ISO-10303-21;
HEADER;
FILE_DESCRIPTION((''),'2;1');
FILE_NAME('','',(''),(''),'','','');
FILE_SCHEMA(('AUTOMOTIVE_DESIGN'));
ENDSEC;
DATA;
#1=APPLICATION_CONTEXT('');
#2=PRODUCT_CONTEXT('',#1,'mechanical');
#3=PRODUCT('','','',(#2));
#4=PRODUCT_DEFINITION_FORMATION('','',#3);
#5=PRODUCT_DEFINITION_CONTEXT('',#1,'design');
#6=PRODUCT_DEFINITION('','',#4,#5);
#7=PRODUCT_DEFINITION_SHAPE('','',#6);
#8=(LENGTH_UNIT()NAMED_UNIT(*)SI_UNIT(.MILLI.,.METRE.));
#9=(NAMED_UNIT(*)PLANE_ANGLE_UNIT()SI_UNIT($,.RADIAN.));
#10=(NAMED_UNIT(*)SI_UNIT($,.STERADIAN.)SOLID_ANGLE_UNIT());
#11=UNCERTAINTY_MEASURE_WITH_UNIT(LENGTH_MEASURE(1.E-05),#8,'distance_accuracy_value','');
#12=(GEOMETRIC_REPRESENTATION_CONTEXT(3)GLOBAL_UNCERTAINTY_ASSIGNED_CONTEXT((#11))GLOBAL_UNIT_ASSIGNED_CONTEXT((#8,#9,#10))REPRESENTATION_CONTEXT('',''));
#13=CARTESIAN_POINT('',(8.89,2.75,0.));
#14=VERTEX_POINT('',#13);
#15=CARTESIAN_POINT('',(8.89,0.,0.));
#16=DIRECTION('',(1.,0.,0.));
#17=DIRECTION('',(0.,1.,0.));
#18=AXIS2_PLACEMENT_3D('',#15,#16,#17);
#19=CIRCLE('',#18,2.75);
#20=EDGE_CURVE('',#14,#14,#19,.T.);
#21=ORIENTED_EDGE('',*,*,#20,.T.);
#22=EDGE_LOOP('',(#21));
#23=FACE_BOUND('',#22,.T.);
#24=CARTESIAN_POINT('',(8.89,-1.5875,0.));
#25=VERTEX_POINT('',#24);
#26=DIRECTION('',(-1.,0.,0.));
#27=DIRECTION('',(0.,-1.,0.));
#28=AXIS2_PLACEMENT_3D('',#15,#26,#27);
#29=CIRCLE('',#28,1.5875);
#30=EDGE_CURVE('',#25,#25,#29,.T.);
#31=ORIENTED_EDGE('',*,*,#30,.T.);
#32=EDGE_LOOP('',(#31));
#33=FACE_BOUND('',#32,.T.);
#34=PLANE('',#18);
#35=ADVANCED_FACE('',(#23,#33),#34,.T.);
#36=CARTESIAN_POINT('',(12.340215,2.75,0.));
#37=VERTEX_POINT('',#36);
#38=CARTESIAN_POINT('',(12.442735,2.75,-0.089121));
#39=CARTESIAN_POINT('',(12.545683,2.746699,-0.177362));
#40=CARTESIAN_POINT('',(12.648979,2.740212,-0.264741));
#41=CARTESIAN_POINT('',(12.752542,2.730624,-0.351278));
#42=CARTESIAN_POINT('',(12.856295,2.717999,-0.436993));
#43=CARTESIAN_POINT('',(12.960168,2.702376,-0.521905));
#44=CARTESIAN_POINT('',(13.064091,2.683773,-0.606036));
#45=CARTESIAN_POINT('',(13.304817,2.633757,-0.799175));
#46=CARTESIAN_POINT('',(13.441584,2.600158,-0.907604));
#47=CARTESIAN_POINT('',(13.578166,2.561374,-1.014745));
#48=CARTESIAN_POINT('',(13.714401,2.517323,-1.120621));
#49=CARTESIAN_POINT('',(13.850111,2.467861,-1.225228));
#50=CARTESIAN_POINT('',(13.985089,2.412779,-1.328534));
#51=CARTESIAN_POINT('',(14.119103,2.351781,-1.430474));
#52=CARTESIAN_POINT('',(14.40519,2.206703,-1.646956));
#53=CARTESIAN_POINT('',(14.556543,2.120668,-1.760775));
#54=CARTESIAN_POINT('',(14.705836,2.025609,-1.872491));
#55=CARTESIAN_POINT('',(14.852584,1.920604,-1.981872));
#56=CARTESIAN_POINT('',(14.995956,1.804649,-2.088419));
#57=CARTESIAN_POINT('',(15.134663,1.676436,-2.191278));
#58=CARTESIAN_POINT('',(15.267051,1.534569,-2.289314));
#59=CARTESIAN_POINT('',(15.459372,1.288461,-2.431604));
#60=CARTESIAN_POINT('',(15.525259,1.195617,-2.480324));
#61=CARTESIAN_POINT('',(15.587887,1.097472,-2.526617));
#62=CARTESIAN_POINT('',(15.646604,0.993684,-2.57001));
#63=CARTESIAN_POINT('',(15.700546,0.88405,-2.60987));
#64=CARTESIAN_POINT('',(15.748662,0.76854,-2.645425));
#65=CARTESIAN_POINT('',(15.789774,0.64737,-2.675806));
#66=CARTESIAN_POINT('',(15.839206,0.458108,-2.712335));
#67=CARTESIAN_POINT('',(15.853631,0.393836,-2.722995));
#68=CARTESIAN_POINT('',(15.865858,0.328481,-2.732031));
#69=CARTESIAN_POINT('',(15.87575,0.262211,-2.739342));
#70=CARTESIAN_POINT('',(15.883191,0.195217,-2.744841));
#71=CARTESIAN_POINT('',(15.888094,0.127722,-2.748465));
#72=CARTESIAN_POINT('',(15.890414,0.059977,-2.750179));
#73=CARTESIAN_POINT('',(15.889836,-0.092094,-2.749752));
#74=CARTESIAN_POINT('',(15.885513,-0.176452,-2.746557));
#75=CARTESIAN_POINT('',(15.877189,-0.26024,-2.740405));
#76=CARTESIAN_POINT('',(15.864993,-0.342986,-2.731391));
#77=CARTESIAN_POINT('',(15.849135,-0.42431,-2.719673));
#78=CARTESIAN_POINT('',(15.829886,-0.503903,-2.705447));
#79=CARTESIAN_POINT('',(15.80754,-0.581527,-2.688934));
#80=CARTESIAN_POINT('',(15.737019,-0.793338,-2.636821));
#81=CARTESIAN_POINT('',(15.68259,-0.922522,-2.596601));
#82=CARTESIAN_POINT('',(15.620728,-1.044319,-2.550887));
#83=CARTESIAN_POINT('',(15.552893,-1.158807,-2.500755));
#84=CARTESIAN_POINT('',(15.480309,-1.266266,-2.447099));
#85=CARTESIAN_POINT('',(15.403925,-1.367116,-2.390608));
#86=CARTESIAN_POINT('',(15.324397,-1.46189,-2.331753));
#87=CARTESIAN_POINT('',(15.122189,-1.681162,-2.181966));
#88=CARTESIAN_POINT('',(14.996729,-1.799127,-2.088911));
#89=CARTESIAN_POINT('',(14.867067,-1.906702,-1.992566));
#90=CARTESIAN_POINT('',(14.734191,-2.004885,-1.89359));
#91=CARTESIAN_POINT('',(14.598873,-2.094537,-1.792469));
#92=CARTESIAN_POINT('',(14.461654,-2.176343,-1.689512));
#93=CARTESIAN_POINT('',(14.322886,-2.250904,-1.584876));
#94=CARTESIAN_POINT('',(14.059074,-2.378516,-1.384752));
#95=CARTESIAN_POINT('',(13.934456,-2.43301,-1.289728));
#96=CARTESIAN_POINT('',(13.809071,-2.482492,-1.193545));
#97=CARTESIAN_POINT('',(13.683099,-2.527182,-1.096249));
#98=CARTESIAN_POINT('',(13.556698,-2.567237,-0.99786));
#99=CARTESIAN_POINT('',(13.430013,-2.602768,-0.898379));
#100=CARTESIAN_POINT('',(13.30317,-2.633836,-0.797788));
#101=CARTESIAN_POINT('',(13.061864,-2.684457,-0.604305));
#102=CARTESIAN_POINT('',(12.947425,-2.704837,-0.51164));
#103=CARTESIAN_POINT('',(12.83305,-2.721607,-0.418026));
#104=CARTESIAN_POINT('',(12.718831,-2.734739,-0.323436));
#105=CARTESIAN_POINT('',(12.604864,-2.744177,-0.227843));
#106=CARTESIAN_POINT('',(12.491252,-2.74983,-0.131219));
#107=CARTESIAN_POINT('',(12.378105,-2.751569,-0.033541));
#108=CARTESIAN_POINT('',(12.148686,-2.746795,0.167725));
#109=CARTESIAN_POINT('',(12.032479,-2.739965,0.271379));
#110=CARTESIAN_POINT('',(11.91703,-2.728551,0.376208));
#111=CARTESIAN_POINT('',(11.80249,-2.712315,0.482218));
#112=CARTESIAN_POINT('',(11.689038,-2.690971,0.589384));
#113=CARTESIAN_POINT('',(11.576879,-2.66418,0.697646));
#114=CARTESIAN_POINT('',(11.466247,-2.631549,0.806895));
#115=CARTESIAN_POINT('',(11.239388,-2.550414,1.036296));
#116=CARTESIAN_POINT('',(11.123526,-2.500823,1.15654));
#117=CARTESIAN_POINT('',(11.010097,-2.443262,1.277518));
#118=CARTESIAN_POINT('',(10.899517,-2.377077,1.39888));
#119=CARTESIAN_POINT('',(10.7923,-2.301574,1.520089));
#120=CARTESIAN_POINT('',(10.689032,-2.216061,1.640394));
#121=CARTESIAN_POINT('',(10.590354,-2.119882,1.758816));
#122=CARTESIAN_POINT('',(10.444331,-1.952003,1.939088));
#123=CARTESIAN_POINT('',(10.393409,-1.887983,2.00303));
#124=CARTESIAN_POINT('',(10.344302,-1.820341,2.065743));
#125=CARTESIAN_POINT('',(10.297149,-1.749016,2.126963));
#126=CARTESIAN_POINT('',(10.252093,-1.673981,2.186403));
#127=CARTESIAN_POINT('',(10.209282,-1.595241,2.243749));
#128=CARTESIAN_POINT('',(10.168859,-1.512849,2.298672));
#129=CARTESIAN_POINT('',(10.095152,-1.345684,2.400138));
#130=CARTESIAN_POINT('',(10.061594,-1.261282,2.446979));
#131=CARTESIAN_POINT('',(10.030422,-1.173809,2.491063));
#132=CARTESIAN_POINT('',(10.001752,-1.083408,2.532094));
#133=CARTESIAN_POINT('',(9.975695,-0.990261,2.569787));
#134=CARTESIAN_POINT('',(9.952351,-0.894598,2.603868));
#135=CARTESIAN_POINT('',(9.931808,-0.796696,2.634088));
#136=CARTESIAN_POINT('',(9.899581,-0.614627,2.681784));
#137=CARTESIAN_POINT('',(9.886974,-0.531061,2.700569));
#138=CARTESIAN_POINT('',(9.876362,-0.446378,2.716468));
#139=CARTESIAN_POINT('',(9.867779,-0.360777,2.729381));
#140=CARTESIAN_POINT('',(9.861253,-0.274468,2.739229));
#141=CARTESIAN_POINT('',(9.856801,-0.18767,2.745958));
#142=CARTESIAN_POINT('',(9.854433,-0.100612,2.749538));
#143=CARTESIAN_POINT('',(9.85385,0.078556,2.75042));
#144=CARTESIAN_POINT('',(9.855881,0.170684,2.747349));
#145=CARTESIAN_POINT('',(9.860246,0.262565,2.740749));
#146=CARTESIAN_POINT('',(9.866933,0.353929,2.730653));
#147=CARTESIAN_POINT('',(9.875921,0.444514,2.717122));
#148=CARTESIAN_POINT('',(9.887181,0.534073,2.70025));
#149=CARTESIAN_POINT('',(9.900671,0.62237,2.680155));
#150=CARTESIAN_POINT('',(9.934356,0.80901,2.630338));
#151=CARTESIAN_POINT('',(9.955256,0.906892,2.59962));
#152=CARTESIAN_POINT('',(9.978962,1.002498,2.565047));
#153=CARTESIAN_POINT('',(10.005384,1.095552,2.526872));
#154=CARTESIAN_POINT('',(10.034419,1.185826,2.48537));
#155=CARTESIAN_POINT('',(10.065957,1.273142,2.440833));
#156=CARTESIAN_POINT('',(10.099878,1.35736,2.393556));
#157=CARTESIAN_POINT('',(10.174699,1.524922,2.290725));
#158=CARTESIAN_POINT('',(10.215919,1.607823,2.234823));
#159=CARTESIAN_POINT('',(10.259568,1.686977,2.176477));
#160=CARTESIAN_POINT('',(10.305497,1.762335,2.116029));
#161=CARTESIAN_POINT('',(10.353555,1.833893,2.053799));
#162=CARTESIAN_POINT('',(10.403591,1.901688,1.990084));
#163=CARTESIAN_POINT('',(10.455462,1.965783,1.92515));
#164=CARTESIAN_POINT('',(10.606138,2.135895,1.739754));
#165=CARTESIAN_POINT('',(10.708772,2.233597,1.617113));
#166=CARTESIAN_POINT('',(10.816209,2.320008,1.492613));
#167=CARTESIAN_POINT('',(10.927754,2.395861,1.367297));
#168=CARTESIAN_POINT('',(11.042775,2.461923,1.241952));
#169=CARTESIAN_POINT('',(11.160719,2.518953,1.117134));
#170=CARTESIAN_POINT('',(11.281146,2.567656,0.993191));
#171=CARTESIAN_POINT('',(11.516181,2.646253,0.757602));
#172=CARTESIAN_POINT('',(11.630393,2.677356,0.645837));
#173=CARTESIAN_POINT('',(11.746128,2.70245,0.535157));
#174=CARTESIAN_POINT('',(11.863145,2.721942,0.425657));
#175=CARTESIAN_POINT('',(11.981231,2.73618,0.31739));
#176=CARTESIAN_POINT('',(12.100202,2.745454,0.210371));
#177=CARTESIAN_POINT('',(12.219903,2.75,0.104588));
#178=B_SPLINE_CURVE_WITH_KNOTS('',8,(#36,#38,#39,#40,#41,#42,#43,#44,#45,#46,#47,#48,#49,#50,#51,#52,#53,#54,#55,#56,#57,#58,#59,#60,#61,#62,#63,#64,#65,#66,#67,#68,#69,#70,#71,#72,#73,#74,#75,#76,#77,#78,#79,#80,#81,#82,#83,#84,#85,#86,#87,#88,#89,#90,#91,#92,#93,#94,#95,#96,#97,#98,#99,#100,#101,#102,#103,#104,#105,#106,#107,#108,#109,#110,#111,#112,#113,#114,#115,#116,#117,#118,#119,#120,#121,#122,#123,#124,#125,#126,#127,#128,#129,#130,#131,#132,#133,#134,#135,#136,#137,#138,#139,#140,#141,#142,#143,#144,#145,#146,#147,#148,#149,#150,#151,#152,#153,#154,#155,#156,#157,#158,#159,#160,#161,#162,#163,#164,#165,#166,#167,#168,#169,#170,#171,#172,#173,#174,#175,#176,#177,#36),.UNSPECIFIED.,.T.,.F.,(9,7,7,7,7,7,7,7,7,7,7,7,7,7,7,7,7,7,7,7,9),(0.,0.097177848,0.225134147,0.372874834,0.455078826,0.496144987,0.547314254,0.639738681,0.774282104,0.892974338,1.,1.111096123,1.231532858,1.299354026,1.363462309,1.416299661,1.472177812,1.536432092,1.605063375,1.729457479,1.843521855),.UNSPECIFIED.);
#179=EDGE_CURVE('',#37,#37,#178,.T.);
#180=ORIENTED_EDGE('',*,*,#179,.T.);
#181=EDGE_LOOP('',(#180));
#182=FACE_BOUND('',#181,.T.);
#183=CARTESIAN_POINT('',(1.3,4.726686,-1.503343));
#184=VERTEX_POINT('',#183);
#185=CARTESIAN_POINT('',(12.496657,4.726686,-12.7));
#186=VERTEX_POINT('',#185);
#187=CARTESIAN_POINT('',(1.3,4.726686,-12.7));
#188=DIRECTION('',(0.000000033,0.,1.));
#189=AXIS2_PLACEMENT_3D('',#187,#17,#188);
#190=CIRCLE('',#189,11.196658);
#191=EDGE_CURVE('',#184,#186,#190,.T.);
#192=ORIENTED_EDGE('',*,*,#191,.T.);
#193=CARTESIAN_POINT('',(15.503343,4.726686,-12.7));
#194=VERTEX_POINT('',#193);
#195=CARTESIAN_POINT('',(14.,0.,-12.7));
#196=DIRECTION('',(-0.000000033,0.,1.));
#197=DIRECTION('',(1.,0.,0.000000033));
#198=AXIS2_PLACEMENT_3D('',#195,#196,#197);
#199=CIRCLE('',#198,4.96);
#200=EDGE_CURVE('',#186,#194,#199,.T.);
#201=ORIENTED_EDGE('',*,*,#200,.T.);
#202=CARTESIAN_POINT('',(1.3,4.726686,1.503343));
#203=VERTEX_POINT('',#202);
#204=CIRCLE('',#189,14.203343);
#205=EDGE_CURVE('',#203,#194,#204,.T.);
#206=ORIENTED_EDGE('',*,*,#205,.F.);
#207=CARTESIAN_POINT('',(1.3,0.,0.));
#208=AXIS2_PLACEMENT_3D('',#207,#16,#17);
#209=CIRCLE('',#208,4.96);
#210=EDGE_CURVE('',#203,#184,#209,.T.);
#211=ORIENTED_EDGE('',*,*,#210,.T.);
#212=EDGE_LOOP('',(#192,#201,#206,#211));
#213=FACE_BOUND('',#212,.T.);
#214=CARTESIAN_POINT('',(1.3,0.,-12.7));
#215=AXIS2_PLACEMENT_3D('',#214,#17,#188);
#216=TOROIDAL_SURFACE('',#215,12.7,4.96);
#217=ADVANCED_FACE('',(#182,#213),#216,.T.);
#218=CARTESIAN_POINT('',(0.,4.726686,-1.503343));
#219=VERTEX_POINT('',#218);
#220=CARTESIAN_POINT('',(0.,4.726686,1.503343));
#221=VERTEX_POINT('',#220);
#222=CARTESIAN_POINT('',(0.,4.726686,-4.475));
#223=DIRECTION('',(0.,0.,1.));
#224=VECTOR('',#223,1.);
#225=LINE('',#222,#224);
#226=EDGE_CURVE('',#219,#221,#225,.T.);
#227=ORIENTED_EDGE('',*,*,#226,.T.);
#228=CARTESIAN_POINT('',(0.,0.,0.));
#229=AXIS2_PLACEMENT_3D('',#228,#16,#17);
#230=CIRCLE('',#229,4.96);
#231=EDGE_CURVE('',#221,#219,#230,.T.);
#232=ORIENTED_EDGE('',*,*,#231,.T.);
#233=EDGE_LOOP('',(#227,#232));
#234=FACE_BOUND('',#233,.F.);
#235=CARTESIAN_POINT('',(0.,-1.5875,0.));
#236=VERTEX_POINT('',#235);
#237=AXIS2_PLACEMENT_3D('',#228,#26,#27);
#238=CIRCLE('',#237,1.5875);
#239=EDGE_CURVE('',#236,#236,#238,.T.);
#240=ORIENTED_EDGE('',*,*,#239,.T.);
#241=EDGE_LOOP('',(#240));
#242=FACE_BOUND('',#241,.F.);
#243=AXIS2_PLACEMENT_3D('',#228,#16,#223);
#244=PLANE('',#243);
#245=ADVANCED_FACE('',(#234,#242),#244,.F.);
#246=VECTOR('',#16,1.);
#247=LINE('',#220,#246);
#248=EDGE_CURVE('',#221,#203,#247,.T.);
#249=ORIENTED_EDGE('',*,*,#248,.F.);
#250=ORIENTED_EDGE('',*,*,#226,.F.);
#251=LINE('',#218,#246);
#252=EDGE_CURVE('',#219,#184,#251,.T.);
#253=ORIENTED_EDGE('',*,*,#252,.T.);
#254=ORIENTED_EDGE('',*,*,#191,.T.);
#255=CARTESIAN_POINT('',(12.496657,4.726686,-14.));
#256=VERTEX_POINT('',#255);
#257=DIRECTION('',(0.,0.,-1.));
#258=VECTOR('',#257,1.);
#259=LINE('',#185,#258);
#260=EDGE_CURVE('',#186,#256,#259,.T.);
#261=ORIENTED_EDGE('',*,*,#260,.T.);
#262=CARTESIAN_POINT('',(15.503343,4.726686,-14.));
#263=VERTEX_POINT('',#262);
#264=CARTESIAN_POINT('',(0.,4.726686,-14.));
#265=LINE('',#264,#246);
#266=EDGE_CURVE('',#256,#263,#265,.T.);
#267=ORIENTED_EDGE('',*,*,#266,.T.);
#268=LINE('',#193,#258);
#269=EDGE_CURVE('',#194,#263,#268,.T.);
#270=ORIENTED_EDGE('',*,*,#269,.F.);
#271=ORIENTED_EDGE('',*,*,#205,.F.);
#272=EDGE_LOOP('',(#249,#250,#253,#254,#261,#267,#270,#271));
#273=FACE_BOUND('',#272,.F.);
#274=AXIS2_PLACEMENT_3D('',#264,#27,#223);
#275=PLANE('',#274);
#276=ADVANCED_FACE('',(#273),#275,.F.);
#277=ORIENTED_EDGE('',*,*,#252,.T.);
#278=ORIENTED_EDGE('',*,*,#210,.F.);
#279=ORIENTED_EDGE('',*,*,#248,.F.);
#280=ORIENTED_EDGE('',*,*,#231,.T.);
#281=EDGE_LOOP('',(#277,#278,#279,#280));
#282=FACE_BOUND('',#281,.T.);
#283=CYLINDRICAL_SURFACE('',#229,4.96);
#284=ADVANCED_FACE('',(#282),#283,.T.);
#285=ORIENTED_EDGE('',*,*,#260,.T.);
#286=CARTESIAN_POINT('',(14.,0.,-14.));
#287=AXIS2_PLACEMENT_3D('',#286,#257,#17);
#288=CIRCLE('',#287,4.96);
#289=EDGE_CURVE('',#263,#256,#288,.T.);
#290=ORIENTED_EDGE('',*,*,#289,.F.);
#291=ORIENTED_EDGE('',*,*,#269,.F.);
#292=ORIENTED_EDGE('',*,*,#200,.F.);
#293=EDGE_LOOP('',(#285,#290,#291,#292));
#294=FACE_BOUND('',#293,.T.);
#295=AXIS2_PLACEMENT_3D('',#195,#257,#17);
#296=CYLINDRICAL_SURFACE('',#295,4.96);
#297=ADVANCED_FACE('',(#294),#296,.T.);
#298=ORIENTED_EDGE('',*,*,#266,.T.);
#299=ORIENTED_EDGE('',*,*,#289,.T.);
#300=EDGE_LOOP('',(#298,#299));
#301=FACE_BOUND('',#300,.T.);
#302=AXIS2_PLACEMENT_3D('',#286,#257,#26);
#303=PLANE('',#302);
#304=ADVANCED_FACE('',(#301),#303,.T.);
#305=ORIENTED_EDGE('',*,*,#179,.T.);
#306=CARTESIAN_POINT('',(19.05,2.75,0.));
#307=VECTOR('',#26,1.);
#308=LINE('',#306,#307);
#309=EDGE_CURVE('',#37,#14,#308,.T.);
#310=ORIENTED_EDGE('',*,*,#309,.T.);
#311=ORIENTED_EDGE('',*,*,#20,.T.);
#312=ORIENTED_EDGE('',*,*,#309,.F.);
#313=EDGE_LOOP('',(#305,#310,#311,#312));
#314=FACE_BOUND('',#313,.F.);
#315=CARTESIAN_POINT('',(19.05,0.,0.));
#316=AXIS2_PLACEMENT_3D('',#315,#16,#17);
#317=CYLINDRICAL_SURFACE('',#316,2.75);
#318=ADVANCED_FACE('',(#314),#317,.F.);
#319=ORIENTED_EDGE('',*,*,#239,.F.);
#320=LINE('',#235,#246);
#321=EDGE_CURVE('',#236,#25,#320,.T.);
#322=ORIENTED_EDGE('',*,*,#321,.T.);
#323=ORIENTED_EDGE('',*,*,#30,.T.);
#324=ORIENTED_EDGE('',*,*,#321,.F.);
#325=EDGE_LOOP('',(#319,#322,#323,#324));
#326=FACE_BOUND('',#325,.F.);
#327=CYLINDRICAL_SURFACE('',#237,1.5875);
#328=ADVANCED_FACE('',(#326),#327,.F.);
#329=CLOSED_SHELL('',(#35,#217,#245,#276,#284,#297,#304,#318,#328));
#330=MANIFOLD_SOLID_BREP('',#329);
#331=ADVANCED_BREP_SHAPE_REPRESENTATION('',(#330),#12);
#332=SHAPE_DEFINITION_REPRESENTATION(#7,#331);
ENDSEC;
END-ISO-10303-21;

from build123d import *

# Parameters (mm, degrees)
F1_R      = 4.96
F3_R      = 1.5875
F4_DEPTH  = 18.961
F6_R      = 2.75
F7_DEPTH  = 10.16
F9_W      = 0.254
F9_H      = 19.05
F10_DEPTH = 18.961


with BuildPart() as f2:
    # F2: sweep along a path in F0
    with BuildLine(Plane.XZ) as f2_path:
        Line((0, 0), (1.3, 0))
        ThreePointArc((1.3, 0), (10.280256, -3.719744), (14, -12.7))
        Line((14, -12.7), (14, -14))
    # F1 (on Right) → F2 (sweep)
    with BuildSketch(Plane.YZ):
        Circle(F1_R)
    sweep(path=f2_path.line)

    # F3 (on face) → F4 (cut, through all)
    with BuildSketch(Plane(origin=(0, 0, 0), x_dir=(0, -1, 0), z_dir=(-1, 0, 0))):
        Circle(F3_R)
    extrude(amount=-F4_DEPTH, mode=Mode.SUBTRACT)

    # F6 (on offset) → F7 (cut)
    with BuildSketch(Plane.YZ.offset(19.05)):
        Circle(F6_R)
    extrude(amount=-F7_DEPTH, mode=Mode.SUBTRACT)

    # F9 (on Right) → F10 (cut, through all)
    with BuildSketch(Plane.YZ):
        with Locations((4.853686, -4.475)):
            Rectangle(F9_W, F9_H)
    extrude(amount=F10_DEPTH, mode=Mode.SUBTRACT)


solid = f2.part
